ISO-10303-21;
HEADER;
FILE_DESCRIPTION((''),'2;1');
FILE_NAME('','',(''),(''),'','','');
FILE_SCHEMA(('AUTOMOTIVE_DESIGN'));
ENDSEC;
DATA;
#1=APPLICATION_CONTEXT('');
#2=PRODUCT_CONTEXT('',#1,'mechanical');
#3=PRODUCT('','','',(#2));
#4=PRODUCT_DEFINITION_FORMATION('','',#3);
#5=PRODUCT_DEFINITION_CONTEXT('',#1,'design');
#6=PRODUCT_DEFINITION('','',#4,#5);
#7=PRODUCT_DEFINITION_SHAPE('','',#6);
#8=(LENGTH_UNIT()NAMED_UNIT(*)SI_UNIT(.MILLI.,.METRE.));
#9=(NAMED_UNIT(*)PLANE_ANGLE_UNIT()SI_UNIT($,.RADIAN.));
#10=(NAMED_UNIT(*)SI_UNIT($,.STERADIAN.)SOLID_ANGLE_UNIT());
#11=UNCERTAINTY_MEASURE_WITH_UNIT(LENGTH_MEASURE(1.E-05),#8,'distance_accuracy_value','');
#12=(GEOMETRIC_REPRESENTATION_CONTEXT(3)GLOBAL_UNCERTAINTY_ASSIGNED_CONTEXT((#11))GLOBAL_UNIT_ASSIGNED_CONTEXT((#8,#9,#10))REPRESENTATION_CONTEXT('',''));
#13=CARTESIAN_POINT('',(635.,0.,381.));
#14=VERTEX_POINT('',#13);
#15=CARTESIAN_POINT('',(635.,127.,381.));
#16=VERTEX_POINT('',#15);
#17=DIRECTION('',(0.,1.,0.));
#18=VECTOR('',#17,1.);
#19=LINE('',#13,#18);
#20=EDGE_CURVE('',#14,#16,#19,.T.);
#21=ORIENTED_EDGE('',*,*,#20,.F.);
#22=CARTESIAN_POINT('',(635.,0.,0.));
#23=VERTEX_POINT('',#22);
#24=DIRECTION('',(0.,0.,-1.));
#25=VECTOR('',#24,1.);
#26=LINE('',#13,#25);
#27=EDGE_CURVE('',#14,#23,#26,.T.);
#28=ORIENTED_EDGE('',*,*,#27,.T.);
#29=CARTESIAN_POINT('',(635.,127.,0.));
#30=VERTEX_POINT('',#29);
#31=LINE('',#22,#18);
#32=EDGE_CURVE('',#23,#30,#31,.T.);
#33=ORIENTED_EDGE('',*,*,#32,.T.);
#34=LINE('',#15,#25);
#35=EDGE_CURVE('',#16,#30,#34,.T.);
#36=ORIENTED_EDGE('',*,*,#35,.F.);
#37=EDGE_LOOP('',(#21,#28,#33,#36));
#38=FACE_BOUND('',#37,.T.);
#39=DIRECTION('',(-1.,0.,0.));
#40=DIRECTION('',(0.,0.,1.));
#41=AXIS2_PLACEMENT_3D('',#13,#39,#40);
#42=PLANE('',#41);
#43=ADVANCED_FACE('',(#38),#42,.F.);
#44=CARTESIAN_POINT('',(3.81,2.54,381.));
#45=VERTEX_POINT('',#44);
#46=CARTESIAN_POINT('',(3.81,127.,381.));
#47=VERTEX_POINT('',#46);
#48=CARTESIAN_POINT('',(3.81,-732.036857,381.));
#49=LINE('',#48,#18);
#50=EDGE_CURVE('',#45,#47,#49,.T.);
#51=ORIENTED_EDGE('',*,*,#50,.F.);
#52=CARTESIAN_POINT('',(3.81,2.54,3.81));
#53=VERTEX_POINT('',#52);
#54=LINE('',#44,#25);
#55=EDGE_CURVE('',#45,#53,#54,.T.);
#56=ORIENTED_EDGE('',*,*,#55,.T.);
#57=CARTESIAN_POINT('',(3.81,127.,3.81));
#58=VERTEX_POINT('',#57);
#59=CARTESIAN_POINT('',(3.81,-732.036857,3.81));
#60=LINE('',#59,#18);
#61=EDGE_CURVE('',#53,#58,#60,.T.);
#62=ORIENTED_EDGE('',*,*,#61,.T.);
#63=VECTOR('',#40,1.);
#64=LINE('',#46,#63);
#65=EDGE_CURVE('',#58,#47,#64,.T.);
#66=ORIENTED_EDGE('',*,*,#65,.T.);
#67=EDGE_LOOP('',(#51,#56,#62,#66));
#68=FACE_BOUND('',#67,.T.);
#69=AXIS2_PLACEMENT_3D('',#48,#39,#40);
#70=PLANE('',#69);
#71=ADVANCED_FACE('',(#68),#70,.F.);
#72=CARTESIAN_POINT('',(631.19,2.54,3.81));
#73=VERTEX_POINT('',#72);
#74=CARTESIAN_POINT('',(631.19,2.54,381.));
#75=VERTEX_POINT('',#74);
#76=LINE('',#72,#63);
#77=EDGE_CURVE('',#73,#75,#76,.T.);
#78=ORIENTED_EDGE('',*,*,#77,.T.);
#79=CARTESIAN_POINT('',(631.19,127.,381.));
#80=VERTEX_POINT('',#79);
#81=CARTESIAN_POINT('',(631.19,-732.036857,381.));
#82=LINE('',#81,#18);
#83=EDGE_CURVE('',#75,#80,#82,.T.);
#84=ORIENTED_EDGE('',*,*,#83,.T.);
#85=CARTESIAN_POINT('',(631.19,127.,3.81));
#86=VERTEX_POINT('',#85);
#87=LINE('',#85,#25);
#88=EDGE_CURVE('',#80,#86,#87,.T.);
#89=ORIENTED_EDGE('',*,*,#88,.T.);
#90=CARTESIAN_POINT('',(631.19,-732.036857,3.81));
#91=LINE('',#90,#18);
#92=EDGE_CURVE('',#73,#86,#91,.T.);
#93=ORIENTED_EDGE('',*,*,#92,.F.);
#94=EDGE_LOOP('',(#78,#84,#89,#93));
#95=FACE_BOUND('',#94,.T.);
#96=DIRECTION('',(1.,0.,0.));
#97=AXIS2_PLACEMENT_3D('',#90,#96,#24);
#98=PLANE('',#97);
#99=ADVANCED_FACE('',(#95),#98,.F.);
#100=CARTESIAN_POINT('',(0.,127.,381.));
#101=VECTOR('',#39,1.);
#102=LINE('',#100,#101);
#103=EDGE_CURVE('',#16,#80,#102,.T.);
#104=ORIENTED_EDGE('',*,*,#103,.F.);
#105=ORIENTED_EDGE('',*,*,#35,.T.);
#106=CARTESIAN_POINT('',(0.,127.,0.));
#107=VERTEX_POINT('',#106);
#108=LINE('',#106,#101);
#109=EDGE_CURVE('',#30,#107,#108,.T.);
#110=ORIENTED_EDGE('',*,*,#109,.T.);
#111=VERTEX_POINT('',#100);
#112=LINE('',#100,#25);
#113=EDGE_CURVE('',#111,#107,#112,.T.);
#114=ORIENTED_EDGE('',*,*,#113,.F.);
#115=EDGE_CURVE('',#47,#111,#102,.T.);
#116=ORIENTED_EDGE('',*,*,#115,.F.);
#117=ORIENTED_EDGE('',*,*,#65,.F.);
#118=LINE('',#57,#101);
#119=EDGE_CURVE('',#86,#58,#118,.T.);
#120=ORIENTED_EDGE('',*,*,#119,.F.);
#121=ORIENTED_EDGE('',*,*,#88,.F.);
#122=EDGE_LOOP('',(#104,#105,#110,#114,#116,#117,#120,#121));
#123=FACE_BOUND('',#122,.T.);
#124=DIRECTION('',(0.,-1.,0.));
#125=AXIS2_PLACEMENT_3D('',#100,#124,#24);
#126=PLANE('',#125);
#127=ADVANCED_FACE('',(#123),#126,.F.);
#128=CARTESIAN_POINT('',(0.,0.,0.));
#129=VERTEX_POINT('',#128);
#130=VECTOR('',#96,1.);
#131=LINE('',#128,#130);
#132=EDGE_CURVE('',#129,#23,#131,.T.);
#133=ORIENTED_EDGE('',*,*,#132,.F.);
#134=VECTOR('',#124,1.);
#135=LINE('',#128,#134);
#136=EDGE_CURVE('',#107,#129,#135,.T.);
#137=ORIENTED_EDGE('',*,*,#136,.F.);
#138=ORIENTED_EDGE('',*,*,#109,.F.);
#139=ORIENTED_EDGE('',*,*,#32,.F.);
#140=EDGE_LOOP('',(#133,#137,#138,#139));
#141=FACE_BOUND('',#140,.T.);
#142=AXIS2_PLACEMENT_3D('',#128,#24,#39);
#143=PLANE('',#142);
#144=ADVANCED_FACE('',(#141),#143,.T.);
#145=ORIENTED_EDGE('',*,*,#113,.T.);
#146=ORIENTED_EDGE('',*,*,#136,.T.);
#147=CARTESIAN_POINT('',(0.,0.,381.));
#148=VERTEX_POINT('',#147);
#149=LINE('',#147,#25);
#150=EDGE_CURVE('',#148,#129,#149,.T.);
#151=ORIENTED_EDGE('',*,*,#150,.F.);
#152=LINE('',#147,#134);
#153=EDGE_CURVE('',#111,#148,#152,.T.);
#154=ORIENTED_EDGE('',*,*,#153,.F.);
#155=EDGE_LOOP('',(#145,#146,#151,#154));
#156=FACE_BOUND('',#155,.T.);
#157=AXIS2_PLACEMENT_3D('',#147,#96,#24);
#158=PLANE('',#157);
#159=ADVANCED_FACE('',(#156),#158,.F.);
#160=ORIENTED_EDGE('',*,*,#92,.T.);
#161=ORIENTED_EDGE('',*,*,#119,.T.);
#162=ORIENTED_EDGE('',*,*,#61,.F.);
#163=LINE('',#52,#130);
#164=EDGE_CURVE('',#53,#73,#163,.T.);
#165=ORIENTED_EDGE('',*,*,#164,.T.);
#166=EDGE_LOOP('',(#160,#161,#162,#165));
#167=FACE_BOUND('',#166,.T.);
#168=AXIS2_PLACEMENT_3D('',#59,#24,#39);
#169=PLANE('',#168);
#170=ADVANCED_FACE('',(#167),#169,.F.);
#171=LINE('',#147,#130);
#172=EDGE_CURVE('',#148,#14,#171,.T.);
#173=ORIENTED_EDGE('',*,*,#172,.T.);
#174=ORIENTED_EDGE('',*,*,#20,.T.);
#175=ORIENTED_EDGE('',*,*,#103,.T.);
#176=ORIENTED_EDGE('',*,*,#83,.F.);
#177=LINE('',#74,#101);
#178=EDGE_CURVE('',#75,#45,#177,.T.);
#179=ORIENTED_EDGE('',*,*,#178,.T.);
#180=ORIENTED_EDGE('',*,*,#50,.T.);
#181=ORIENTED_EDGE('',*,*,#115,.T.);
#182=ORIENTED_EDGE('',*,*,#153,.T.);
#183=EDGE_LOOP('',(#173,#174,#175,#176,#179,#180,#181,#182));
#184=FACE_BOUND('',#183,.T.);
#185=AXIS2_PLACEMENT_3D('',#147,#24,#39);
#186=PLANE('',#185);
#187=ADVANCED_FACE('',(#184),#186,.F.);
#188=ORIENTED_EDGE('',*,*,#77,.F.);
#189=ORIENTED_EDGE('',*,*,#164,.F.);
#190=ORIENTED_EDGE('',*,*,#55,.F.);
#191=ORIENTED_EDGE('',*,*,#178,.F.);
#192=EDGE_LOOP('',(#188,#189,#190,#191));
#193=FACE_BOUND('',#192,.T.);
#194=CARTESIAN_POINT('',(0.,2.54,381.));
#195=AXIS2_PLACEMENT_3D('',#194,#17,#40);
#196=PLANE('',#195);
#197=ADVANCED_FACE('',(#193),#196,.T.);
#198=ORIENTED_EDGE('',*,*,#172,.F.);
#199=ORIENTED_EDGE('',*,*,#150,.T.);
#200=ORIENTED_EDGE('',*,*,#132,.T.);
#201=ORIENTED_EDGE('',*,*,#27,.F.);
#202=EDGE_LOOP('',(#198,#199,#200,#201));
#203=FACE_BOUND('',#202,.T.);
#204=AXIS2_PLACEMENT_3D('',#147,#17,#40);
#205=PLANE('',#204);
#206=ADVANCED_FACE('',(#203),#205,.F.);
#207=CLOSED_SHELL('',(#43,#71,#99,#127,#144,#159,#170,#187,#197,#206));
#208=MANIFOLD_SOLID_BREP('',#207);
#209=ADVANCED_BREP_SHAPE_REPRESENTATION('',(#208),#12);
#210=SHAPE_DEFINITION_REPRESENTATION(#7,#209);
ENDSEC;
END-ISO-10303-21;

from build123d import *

# Parameters (mm, degrees)
SKETCH1_W           = 635
SKETCH1_H           = 127
BOSS_EXTRUDE1_DEPTH = 381
SKETCH2_W           = 627.38
SKETCH2_H           = 377.19
CUT_EXTRUDE1_DEPTH  = 124.46


with BuildPart() as part:
    # Sketch1 → Boss-Extrude1 (new body)
    with BuildSketch(Plane.XY):
        with Locations((317.5, 63.5)):
            Rectangle(SKETCH1_W, SKETCH1_H)
    extrude(amount=BOSS_EXTRUDE1_DEPTH)

    # Sketch2 → Cut-Extrude1 (cut)
    with BuildSketch(Plane(origin=(0, 127, 0), x_dir=(1, 0, 0), z_dir=(0, 1, 0))):
        with Locations((317.5, -192.405)):
            Rectangle(SKETCH2_W, SKETCH2_H)
    extrude(amount=-CUT_EXTRUDE1_DEPTH, mode=Mode.SUBTRACT)


solid = part.part
